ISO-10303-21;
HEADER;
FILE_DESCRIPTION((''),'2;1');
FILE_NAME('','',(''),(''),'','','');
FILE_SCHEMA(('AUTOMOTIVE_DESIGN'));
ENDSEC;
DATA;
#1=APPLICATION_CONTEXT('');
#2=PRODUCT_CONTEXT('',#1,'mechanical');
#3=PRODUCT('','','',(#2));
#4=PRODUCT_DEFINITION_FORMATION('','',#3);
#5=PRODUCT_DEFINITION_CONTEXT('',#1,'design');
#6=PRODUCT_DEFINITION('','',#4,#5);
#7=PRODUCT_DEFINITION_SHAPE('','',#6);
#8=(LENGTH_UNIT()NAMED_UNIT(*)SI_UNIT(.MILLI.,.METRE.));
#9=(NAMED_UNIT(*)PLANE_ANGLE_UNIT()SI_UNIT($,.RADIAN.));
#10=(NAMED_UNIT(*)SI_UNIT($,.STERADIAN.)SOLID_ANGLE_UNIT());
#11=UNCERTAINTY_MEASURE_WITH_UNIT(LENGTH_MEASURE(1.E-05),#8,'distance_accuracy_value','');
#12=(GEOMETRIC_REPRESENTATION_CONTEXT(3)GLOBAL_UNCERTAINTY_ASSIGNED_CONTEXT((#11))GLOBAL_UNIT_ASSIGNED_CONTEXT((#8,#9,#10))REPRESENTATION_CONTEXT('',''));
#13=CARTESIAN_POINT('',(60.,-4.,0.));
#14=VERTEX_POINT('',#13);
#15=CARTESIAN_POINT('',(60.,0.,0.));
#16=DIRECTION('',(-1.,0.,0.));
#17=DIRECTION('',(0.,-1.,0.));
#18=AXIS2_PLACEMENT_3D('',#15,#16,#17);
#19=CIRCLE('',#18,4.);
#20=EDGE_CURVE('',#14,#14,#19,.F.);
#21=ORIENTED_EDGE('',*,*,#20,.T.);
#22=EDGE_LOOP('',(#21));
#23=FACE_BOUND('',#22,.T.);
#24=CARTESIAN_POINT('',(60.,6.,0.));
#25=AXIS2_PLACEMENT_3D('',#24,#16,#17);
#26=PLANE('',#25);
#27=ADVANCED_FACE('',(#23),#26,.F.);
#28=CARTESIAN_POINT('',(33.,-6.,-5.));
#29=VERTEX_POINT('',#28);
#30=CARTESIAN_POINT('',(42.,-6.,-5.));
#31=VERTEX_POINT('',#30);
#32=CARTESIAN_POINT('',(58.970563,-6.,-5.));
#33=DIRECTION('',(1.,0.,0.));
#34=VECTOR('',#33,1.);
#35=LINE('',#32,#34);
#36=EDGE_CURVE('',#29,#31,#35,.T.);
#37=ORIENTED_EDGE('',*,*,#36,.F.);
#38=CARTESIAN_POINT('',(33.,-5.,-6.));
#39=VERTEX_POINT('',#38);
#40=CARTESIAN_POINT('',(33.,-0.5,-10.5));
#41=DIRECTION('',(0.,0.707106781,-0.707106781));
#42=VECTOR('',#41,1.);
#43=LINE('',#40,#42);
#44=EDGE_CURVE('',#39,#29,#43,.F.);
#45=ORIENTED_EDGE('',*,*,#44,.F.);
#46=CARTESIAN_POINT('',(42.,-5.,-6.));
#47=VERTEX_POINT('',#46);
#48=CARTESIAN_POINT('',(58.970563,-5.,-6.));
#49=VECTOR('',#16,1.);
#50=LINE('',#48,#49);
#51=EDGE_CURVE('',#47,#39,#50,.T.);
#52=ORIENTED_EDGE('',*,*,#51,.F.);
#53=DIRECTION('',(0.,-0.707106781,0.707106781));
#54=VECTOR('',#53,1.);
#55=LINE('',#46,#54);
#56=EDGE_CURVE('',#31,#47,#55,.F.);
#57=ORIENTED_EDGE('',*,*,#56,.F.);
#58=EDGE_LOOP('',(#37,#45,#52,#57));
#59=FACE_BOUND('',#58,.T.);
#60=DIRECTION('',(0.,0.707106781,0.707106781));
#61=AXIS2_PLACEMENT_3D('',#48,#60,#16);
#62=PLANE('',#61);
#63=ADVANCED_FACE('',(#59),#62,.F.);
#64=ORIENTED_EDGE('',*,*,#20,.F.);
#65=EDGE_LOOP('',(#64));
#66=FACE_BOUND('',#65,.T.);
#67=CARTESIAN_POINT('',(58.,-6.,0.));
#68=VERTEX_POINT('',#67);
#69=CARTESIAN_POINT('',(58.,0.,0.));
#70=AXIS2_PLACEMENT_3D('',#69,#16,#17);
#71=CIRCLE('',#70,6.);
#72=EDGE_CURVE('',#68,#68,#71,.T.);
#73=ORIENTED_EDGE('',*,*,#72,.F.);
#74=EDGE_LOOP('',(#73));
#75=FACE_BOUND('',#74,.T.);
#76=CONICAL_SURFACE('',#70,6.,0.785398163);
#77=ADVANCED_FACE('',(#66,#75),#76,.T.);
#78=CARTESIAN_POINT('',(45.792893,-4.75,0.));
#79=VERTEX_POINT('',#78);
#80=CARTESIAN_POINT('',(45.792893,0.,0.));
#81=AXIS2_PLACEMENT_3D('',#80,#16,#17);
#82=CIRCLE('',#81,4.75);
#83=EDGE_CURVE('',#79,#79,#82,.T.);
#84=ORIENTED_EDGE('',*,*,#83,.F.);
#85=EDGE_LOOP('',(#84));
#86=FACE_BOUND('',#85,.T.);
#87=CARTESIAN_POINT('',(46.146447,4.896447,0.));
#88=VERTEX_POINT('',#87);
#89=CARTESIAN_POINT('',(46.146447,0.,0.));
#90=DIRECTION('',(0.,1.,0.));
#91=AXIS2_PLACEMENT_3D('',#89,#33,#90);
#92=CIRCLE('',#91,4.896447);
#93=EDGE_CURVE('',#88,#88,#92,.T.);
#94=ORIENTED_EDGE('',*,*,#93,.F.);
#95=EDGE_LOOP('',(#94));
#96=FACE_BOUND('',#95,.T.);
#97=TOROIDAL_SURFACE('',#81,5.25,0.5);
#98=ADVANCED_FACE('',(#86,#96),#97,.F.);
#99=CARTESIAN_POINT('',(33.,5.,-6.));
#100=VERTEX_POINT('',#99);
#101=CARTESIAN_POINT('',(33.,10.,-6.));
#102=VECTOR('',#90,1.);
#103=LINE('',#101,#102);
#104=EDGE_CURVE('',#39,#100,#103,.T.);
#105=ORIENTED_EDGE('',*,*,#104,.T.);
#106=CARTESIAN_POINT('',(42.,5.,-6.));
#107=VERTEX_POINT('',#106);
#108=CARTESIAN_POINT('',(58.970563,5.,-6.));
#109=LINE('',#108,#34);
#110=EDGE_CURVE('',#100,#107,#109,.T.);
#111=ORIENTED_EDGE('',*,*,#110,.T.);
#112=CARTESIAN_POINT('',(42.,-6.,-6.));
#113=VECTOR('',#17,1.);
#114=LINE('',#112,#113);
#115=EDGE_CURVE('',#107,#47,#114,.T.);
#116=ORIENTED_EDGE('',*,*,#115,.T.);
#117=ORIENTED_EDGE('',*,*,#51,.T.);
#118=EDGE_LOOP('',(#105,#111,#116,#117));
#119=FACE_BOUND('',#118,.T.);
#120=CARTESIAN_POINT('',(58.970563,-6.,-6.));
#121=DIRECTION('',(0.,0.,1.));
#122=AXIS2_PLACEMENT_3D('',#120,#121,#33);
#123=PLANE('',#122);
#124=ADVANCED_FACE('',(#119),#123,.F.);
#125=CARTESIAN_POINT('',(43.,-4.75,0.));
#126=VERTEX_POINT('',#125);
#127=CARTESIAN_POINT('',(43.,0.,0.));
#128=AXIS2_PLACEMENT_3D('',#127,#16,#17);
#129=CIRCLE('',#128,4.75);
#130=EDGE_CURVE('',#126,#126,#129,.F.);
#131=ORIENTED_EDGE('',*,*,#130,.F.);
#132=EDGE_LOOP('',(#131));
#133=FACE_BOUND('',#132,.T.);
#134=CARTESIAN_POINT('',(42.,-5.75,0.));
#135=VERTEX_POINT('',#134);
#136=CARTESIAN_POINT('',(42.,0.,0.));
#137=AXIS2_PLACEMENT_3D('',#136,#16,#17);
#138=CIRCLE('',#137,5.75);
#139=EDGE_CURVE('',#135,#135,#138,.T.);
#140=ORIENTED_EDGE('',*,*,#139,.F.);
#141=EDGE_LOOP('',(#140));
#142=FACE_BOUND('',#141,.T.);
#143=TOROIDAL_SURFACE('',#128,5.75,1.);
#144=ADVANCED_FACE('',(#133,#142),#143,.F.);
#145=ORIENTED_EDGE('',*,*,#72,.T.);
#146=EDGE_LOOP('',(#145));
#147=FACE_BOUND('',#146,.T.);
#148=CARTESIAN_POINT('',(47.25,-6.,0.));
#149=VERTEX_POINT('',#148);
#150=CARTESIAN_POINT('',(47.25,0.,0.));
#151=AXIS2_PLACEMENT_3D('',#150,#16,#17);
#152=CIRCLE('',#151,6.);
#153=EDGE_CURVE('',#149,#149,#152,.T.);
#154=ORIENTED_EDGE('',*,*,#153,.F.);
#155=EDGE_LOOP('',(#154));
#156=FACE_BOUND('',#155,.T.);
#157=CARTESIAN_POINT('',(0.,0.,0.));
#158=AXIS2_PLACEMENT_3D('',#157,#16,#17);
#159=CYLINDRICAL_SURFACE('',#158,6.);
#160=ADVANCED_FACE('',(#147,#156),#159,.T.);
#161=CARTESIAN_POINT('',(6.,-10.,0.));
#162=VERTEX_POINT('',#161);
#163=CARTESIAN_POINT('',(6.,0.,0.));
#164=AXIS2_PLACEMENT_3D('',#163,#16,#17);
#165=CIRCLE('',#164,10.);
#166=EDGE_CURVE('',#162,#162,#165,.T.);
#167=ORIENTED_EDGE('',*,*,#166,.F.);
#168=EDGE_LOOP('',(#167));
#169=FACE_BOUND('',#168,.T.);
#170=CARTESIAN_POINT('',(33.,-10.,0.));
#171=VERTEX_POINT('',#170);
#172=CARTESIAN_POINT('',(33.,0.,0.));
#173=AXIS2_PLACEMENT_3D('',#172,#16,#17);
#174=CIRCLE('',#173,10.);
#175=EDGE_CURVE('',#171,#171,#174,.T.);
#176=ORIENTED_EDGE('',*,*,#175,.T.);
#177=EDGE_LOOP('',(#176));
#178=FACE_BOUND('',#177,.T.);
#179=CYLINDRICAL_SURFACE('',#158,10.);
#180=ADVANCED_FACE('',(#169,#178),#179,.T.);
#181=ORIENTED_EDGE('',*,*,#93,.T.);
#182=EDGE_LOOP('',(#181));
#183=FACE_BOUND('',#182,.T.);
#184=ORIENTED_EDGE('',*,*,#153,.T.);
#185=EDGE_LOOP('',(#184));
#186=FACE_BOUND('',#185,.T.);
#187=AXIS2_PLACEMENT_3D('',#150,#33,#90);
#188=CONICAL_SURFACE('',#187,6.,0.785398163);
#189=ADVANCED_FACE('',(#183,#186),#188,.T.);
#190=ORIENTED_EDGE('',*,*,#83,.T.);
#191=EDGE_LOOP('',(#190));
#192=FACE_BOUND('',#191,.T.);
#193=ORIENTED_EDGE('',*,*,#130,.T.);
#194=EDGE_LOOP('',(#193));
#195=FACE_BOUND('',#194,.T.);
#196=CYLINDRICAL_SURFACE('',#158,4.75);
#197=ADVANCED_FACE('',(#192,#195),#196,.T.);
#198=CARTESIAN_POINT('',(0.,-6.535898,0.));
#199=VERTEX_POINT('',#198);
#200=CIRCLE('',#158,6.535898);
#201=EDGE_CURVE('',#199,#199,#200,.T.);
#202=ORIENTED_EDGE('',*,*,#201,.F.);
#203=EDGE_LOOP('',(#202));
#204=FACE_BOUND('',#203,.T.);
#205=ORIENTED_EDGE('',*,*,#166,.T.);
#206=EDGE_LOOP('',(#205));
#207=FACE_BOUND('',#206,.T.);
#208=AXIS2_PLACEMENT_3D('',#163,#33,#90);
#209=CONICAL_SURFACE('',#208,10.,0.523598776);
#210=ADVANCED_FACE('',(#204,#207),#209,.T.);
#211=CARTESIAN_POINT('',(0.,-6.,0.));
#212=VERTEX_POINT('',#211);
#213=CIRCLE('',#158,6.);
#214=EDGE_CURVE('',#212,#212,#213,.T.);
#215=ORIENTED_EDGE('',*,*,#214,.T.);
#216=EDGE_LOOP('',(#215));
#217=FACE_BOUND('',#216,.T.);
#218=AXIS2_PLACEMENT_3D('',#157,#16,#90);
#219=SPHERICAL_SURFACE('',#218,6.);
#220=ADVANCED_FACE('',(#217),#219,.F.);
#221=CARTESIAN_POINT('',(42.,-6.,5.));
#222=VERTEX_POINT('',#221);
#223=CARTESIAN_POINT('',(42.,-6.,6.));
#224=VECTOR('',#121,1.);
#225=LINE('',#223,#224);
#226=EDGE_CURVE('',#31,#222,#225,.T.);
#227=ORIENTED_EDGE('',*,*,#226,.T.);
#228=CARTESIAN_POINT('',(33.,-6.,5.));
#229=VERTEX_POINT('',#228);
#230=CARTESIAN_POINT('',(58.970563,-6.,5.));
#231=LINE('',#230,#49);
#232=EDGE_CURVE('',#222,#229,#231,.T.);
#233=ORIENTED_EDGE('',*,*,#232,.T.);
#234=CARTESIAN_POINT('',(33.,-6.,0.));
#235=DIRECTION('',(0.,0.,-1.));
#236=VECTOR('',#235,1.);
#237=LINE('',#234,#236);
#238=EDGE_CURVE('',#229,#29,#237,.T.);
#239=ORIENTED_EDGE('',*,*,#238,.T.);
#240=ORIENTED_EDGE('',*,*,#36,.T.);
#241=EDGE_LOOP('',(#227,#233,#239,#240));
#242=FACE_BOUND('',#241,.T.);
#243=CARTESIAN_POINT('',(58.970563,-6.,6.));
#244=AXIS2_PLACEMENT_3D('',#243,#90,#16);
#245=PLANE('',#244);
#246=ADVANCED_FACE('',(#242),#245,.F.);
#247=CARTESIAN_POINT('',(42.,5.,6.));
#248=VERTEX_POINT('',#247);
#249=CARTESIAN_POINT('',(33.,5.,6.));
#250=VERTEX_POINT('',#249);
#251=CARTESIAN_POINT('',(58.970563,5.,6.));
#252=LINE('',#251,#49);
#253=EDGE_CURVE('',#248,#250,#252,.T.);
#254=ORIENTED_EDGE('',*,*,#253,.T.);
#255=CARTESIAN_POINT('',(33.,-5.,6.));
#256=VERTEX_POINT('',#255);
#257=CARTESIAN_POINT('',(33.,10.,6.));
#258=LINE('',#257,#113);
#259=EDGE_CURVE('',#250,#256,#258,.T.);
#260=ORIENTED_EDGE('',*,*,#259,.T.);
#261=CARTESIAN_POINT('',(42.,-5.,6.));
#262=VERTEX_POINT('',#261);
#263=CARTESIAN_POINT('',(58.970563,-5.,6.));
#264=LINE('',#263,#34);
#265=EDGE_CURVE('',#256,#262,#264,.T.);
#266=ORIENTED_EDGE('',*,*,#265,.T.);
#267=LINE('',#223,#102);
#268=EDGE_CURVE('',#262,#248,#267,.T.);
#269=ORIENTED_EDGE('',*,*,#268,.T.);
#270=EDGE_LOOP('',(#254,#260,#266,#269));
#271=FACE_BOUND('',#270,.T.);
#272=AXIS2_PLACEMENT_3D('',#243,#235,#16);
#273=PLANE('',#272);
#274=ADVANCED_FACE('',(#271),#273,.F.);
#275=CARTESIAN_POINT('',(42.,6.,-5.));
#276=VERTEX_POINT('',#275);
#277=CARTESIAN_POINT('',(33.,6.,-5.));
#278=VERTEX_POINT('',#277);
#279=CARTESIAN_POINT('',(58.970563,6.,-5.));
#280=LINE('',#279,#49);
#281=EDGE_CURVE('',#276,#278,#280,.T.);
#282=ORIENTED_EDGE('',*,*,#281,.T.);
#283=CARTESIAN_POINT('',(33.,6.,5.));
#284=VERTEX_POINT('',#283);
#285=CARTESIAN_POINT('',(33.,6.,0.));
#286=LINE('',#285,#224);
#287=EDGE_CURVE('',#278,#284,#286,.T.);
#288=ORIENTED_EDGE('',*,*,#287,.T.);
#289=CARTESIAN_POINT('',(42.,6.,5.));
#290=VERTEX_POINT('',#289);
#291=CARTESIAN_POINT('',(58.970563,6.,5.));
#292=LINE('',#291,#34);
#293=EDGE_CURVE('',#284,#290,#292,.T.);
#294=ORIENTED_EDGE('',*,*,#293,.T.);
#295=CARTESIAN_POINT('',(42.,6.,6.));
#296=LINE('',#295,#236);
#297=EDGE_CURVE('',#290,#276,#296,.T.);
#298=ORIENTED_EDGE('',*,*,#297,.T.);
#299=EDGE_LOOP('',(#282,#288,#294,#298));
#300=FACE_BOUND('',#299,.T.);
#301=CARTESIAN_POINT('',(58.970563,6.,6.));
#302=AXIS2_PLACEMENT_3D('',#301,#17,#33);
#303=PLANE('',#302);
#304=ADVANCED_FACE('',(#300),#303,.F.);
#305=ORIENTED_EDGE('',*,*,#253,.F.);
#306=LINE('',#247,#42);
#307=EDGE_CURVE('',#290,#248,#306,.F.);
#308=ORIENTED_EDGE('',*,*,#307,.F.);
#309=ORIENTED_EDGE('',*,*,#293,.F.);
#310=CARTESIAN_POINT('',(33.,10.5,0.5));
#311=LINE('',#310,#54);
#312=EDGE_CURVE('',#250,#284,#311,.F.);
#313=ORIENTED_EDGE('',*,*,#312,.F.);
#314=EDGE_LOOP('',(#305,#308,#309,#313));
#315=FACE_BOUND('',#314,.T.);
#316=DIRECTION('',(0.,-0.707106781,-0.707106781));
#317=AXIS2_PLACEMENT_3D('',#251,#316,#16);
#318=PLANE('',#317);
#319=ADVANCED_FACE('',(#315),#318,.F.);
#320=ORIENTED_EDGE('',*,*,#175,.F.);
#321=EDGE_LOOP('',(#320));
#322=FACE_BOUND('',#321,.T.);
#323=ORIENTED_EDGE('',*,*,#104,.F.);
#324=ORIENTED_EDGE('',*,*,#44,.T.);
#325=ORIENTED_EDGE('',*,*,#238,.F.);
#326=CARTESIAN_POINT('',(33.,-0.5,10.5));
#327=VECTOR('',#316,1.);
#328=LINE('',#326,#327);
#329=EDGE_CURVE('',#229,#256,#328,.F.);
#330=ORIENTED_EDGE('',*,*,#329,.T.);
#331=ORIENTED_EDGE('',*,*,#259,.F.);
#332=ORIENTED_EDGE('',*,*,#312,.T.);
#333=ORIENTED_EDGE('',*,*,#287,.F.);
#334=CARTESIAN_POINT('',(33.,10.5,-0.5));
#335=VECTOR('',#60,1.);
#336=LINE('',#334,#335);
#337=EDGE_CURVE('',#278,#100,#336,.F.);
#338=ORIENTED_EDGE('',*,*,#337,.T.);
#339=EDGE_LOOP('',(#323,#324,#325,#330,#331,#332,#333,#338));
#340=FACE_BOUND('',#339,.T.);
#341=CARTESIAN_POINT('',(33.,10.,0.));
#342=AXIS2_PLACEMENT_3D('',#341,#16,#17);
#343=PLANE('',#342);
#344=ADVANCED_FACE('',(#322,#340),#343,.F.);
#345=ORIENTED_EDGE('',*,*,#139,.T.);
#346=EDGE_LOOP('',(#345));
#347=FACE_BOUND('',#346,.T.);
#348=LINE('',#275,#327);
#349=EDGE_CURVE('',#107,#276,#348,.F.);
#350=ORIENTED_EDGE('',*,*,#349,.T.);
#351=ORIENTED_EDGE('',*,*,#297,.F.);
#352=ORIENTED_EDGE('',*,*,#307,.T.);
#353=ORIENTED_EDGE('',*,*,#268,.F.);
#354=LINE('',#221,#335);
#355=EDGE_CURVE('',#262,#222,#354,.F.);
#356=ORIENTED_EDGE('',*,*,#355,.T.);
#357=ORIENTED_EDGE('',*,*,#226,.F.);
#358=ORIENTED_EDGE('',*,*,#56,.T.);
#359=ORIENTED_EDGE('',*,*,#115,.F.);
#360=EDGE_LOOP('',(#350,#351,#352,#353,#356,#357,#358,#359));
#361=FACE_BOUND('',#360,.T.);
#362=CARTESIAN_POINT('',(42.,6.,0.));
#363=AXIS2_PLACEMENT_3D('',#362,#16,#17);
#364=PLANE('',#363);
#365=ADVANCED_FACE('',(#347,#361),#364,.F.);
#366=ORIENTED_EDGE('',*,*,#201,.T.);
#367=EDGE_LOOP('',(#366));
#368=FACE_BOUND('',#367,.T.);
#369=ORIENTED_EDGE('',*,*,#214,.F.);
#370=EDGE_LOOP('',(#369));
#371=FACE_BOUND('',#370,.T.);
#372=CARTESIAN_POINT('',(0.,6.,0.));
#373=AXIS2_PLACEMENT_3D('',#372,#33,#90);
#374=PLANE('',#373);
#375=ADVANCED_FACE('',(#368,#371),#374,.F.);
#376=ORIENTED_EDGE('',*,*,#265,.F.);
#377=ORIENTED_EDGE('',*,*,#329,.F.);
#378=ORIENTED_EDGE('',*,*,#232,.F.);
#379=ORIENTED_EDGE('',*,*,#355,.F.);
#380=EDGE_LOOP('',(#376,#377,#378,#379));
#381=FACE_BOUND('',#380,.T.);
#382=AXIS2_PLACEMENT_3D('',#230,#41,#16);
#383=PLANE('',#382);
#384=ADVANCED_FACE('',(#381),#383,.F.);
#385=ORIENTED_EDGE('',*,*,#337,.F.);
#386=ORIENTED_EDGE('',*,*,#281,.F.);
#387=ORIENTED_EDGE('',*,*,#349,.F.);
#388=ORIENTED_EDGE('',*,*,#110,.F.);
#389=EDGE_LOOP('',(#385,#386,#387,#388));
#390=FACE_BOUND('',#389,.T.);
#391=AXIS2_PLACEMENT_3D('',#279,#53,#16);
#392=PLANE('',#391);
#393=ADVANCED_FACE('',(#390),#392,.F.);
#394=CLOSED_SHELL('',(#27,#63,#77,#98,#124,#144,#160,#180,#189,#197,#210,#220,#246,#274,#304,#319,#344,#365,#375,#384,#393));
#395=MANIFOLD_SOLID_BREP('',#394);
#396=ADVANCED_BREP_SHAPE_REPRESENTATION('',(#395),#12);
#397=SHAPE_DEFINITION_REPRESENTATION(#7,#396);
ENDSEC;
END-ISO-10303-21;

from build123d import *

# Parameters (mm, degrees)
SKETCH_2_W      = 12
SKETCH_2_H      = 12
EXTRUDE_1_DEPTH = 9
CHAMFER_1_SIZE  = 1
FILLET_1_R      = 1
FILLET_2_R      = 0.5
CHAMFER_2_SIZE  = 2


with BuildPart() as part:
    # Эскиз1 → Повернуть1 (revolve)
    with BuildSketch(Plane.XY, mode=Mode.PRIVATE) as revolve_1_sk:
        with BuildLine():
            Line((0, 6), (0, 6.535898385))
            Line((0, 6.535898385), (6, 10))
            Line((6, 10), (33, 10))
            Line((33, 10), (33, 6))
            Line((33, 6), (42, 6))
            Line((42, 6), (42, 4.75))
            Line((42, 4.75), (46, 4.75))
            Line((46, 4.75), (47.25, 6))
            Line((47.25, 6), (60, 6))
            Line((60, 6), (60, 0))
            Line((60, 0), (6, 0))
            ThreePointArc((6, 0), (4.242640687, 4.242640687), (0, 6))
        make_face()
    revolve(revolve_1_sk.sketch.rotate(Axis((0, 0, 0), (1, 0, 0)), 180), axis=Axis((0, 0, 0), (1, 0, 0)))

    # Эскиз2 → Бобышка-Вытянуть1 (add)
    with BuildSketch(Plane(origin=(33, 0, 0), x_dir=(0, 0, -1), z_dir=(1, 0, 0))):
        Rectangle(SKETCH_2_W, SKETCH_2_H)
    extrude(amount=EXTRUDE_1_DEPTH)

    # Фаска1
    chamfer_1_edges = [part.edges().sort_by_distance(p)[0] for p in [
        (37.5, -6, 6),
        (37.5, 6, 6),
        (37.5, 6, -6),
        (37.5, -6, -6),
    ]]
    chamfer(chamfer_1_edges, length=CHAMFER_1_SIZE)

    # Скругление1
    fillet_1_edges = [part.edges().sort_by_distance(p)[0] for p in [
        (42, 4.75, 0),
    ]]
    fillet(fillet_1_edges, radius=FILLET_1_R)

    # Скругление2
    fillet_2_edges = [part.edges().sort_by_distance(p)[0] for p in [
        (46, 4.75, 0),
    ]]
    fillet(fillet_2_edges, radius=FILLET_2_R)

    # Фаска2
    chamfer_2_edges = [part.edges().sort_by_distance(p)[0] for p in [
        (60, 6, 0),
    ]]
    chamfer(chamfer_2_edges, length=CHAMFER_2_SIZE)


solid = part.part
